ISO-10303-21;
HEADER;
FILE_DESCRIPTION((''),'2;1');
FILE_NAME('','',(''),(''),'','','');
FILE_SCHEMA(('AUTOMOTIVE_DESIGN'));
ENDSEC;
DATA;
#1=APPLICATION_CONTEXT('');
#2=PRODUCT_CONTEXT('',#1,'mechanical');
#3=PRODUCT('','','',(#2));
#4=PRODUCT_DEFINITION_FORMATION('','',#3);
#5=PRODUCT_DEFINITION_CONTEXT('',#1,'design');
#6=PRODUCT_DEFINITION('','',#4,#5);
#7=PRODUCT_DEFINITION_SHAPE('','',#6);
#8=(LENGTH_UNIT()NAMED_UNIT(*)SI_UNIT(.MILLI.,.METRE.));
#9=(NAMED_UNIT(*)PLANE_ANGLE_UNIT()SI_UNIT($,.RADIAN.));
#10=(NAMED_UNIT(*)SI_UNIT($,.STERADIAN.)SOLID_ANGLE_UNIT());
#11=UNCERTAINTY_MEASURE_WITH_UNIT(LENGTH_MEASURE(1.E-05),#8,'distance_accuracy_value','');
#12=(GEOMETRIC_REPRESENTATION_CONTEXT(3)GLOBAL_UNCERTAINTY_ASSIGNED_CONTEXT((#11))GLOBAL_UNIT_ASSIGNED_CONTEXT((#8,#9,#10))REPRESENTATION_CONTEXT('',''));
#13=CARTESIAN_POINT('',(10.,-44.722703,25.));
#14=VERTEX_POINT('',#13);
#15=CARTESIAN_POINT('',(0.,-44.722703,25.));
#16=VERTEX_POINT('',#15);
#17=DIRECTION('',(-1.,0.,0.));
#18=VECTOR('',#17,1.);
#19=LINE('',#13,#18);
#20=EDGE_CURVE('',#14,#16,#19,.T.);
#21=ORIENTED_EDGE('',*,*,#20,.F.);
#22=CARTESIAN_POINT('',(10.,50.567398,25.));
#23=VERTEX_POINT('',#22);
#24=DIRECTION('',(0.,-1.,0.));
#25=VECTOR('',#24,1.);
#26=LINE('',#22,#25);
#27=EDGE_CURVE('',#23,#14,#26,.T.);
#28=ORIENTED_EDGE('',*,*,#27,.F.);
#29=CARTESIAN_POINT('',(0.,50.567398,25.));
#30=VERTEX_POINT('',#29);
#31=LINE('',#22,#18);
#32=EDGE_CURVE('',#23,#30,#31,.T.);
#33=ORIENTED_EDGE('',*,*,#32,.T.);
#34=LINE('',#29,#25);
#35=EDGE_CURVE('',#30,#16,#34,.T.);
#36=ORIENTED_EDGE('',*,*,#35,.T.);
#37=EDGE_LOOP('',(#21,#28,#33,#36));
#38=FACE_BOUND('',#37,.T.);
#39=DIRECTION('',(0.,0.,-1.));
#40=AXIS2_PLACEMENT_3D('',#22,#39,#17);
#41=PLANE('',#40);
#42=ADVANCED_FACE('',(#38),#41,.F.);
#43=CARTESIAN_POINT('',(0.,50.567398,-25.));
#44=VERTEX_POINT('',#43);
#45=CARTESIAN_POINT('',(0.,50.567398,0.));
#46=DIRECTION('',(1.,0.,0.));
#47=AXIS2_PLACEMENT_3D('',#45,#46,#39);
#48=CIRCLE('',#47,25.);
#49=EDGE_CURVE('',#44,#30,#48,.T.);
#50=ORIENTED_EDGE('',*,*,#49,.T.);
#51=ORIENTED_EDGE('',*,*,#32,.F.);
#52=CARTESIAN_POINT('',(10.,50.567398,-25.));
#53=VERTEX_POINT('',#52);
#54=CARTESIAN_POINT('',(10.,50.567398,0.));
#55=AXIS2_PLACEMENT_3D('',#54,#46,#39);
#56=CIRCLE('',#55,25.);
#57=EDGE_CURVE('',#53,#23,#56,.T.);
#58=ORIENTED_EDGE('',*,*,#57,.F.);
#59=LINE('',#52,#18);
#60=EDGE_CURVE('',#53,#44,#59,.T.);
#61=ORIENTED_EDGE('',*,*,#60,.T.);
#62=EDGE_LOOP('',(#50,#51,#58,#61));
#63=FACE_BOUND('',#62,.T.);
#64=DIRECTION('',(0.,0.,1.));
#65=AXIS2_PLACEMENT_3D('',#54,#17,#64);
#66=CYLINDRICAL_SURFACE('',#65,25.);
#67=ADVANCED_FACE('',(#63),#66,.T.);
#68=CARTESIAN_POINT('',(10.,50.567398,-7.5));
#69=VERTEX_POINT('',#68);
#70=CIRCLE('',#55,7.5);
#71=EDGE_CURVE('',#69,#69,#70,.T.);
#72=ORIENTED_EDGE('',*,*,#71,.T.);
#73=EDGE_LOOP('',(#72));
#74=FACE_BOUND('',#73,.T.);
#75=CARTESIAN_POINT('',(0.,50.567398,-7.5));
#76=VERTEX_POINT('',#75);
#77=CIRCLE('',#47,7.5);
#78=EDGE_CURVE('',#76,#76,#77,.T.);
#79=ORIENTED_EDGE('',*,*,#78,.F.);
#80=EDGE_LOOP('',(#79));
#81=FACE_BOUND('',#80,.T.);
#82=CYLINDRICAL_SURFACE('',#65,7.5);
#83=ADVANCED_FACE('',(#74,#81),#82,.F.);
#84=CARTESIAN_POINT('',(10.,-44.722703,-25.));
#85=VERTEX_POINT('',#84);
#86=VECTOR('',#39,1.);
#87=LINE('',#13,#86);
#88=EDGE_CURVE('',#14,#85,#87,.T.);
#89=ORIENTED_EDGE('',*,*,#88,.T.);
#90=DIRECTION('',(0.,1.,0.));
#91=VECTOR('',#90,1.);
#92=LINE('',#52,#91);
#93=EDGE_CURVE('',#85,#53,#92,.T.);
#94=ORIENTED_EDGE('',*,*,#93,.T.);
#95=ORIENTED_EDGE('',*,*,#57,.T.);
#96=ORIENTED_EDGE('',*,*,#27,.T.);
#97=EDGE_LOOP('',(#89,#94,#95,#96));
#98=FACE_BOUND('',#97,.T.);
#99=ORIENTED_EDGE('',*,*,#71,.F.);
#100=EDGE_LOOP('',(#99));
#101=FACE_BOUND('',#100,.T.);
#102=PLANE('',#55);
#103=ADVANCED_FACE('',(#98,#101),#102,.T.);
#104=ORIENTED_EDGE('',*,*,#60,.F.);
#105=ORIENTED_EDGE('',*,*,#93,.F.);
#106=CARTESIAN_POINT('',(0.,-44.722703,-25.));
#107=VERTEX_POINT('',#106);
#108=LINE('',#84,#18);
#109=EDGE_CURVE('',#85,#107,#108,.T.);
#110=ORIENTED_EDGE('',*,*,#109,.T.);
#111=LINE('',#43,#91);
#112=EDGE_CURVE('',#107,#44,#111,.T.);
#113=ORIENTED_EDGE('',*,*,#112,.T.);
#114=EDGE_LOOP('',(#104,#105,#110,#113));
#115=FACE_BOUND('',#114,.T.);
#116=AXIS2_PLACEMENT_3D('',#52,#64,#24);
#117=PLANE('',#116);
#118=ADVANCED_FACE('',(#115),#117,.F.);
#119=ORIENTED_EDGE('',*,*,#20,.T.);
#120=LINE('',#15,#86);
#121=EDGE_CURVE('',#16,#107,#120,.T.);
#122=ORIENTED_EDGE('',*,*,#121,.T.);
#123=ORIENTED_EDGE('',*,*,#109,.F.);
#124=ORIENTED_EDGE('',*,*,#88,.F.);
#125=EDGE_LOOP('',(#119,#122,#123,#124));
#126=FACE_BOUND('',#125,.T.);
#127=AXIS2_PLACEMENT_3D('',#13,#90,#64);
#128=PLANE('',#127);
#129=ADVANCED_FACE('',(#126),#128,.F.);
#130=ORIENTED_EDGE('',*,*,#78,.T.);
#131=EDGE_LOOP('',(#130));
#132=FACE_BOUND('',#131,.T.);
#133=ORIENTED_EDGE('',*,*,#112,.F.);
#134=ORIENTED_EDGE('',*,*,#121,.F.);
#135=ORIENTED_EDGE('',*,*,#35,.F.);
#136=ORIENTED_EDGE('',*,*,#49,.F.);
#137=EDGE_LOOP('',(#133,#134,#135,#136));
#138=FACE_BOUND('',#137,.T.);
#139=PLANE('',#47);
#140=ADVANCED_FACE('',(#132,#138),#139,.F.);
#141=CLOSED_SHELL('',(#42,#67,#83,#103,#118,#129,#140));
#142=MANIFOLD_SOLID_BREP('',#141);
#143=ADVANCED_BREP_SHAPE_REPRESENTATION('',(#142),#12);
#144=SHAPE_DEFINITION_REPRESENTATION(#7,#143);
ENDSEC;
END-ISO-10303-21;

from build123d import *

# Parameters (mm, degrees)
SKETCH1_R           = 7.5
BOSS_EXTRUDE1_DEPTH = 10


with BuildPart() as part:
    # Sketch1 → Boss-Extrude1 (new body)
    with BuildSketch(Plane(origin=(0, 0, 0), x_dir=(0, 0, -1), z_dir=(1, 0, 0))):
        with BuildLine():
            Line((-25, -44.722703321), (25, -44.722703321))
            Line((25, -44.722703321), (25, 50.567397879))
            ThreePointArc((25, 50.567397879), (0, 75.567397879), (-25, 50.567397879))
            Line((-25, 50.567397879), (-25, -44.722703321))
        make_face()
        with Locations((0, 50.567397879)):
            Circle(SKETCH1_R, mode=Mode.SUBTRACT)
    extrude(amount=BOSS_EXTRUDE1_DEPTH)


solid = part.part
